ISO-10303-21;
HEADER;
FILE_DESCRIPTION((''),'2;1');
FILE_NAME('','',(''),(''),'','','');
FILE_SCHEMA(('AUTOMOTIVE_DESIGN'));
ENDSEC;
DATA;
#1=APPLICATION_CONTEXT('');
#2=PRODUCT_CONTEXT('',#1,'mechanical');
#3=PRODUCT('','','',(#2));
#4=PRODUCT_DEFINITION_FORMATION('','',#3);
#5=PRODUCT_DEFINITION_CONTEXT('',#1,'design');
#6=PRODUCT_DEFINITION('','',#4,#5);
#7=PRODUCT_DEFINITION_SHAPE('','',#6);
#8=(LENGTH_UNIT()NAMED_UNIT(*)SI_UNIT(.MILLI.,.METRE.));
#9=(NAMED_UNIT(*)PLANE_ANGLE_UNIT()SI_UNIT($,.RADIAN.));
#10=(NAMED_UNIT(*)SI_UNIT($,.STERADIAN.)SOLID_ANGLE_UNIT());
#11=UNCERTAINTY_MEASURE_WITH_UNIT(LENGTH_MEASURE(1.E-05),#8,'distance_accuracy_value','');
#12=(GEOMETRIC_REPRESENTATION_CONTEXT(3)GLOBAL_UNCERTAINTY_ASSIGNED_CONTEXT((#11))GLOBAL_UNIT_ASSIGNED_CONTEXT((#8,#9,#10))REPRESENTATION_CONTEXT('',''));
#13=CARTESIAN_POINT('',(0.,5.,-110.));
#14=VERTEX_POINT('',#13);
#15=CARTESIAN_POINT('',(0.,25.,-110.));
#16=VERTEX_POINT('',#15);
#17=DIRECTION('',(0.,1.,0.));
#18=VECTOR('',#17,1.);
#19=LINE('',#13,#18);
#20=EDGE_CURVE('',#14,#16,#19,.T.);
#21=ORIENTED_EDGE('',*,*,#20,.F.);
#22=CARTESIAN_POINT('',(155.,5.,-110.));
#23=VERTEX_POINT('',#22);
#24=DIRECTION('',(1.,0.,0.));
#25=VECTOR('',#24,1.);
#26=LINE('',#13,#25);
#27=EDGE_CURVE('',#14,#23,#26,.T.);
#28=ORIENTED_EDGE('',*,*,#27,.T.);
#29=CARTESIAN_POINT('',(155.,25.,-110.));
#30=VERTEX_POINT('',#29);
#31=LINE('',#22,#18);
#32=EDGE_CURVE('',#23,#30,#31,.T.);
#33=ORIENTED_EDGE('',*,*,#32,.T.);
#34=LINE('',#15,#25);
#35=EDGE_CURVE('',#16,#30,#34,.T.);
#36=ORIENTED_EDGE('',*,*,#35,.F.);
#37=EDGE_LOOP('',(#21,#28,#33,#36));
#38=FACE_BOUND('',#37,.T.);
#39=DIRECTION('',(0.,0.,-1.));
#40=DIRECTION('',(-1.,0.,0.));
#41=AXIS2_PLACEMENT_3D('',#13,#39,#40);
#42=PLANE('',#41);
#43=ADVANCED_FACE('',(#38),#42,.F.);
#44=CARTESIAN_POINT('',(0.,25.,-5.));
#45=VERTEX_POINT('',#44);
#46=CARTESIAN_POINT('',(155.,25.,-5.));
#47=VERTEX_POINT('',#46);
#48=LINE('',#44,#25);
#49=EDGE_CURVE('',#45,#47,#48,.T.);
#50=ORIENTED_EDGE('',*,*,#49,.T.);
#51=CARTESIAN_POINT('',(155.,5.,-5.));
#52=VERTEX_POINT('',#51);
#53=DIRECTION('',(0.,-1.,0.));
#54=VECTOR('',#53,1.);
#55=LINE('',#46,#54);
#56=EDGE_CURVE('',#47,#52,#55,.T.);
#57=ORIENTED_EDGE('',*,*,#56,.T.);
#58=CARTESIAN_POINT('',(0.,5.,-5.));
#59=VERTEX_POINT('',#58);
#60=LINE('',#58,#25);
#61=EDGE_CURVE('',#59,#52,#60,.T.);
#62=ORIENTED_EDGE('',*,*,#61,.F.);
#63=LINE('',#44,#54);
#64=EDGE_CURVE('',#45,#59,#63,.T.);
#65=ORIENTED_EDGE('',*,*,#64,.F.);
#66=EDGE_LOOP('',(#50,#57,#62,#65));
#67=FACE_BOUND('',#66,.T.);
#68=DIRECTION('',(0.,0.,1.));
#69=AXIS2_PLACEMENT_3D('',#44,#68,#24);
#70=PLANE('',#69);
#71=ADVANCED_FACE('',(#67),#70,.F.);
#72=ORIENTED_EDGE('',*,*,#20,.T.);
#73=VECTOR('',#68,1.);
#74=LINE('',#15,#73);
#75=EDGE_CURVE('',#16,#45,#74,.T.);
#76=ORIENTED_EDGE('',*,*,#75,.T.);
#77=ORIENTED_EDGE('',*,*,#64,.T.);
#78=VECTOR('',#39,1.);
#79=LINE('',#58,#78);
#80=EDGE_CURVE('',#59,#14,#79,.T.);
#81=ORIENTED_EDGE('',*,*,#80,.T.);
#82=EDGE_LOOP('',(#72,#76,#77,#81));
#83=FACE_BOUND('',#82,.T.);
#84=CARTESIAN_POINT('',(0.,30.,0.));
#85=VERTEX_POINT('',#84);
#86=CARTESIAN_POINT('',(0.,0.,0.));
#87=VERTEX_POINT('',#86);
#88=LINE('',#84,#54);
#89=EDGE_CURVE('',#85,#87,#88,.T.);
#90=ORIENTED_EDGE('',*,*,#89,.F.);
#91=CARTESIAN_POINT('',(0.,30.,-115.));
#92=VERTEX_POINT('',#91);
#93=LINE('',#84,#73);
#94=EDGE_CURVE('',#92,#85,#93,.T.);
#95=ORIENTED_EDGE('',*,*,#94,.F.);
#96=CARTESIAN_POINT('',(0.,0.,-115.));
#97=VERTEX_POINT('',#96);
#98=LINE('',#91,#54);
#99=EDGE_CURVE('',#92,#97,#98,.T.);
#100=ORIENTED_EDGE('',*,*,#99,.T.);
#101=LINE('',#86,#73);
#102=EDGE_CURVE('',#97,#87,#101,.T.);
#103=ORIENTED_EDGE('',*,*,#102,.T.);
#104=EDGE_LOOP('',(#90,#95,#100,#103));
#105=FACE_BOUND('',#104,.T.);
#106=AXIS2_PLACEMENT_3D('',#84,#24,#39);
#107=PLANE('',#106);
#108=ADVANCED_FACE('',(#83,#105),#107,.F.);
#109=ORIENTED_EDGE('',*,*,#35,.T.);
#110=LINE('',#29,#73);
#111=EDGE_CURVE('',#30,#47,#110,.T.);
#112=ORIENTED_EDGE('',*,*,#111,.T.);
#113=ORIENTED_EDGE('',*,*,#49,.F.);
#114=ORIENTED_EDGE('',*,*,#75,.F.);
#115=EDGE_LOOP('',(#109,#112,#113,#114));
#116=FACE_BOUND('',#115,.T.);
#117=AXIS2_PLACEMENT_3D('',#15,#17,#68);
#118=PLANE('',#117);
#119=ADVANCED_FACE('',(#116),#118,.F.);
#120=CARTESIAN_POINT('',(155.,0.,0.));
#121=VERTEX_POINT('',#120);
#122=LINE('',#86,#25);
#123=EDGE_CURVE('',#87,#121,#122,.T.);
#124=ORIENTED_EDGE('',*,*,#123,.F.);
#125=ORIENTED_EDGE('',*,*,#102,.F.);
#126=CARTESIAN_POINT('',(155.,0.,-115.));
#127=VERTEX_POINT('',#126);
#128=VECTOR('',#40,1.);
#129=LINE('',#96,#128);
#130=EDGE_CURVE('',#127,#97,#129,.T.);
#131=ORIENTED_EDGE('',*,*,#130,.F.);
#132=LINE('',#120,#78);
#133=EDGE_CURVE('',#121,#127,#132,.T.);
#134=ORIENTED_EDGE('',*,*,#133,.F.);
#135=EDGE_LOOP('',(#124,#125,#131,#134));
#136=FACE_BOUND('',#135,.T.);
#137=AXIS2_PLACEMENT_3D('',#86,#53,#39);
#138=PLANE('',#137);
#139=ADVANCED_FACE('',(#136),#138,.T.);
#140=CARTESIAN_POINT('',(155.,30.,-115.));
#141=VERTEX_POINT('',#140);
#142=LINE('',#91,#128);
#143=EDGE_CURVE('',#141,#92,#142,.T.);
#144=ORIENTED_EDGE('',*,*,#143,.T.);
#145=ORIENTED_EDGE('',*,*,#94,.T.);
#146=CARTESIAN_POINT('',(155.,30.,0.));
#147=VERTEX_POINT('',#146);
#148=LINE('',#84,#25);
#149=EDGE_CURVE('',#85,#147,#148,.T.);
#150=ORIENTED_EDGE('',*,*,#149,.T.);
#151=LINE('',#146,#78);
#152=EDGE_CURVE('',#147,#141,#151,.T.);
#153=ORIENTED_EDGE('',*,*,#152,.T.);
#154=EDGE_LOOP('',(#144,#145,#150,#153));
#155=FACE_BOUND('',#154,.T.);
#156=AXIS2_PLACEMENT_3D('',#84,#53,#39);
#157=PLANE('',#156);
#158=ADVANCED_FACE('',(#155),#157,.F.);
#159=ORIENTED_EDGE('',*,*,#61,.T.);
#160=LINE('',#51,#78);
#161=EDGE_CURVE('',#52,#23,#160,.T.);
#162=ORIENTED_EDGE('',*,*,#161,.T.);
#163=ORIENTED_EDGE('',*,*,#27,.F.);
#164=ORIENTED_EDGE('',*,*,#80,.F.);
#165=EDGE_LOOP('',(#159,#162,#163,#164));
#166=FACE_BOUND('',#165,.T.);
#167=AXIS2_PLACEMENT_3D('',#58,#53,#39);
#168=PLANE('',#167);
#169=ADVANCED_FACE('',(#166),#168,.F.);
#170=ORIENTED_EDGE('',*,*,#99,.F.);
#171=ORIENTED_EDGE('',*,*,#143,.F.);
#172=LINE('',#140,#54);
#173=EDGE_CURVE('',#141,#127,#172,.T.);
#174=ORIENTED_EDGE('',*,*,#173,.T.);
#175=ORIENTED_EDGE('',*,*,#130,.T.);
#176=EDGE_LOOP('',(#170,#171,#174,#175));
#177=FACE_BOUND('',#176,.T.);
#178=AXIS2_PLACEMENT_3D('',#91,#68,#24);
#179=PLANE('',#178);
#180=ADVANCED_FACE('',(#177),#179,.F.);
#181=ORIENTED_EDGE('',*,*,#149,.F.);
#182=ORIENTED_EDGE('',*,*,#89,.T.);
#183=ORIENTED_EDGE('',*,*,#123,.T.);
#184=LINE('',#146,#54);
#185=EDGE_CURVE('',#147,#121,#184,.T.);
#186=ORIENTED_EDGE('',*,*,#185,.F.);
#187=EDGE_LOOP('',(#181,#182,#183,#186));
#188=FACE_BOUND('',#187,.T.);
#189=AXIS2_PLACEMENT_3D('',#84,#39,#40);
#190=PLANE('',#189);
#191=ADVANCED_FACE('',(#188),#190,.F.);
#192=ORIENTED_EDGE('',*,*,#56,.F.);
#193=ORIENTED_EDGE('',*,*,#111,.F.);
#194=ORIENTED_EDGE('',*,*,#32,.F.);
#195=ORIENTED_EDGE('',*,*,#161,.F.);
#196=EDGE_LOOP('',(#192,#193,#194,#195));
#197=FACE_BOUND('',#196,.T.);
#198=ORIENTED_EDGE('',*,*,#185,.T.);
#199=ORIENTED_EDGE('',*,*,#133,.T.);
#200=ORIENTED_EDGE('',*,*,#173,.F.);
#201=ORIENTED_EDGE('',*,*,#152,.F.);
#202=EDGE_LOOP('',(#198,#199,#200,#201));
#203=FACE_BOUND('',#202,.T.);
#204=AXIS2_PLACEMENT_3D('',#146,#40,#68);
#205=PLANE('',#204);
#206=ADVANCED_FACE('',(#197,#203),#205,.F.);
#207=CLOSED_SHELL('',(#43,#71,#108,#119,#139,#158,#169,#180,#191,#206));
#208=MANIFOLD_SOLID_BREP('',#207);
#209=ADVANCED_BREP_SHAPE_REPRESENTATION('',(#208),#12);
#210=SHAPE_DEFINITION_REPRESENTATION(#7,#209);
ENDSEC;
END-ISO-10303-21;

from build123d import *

# Parameters (mm, degrees)
SKETCH1_W           = 155
SKETCH1_H           = 115
BOSS_EXTRUDE1_DEPTH = 30
SKETCH2_W           = 105
SKETCH2_H           = 20
CUT_EXTRUDE1_DEPTH  = 196.320249846


with BuildPart() as part:
    # Sketch1 → Boss-Extrude1 (new body)
    with BuildSketch(Plane(origin=(0, 0, 0), x_dir=(1, 0, 0), z_dir=(0, 1, 0))):
        with Locations((77.5, 57.5)):
            Rectangle(SKETCH1_W, SKETCH1_H)
    extrude(amount=BOSS_EXTRUDE1_DEPTH)

    # Sketch2 → Cut-Extrude1 (cut, through all)
    with BuildSketch(Plane(origin=(155, 0, 0), x_dir=(0, 0, -1), z_dir=(1, 0, 0))):
        with Locations((57.5, 15)):
            Rectangle(SKETCH2_W, SKETCH2_H)
    extrude(amount=-CUT_EXTRUDE1_DEPTH, mode=Mode.SUBTRACT)


solid = part.part
